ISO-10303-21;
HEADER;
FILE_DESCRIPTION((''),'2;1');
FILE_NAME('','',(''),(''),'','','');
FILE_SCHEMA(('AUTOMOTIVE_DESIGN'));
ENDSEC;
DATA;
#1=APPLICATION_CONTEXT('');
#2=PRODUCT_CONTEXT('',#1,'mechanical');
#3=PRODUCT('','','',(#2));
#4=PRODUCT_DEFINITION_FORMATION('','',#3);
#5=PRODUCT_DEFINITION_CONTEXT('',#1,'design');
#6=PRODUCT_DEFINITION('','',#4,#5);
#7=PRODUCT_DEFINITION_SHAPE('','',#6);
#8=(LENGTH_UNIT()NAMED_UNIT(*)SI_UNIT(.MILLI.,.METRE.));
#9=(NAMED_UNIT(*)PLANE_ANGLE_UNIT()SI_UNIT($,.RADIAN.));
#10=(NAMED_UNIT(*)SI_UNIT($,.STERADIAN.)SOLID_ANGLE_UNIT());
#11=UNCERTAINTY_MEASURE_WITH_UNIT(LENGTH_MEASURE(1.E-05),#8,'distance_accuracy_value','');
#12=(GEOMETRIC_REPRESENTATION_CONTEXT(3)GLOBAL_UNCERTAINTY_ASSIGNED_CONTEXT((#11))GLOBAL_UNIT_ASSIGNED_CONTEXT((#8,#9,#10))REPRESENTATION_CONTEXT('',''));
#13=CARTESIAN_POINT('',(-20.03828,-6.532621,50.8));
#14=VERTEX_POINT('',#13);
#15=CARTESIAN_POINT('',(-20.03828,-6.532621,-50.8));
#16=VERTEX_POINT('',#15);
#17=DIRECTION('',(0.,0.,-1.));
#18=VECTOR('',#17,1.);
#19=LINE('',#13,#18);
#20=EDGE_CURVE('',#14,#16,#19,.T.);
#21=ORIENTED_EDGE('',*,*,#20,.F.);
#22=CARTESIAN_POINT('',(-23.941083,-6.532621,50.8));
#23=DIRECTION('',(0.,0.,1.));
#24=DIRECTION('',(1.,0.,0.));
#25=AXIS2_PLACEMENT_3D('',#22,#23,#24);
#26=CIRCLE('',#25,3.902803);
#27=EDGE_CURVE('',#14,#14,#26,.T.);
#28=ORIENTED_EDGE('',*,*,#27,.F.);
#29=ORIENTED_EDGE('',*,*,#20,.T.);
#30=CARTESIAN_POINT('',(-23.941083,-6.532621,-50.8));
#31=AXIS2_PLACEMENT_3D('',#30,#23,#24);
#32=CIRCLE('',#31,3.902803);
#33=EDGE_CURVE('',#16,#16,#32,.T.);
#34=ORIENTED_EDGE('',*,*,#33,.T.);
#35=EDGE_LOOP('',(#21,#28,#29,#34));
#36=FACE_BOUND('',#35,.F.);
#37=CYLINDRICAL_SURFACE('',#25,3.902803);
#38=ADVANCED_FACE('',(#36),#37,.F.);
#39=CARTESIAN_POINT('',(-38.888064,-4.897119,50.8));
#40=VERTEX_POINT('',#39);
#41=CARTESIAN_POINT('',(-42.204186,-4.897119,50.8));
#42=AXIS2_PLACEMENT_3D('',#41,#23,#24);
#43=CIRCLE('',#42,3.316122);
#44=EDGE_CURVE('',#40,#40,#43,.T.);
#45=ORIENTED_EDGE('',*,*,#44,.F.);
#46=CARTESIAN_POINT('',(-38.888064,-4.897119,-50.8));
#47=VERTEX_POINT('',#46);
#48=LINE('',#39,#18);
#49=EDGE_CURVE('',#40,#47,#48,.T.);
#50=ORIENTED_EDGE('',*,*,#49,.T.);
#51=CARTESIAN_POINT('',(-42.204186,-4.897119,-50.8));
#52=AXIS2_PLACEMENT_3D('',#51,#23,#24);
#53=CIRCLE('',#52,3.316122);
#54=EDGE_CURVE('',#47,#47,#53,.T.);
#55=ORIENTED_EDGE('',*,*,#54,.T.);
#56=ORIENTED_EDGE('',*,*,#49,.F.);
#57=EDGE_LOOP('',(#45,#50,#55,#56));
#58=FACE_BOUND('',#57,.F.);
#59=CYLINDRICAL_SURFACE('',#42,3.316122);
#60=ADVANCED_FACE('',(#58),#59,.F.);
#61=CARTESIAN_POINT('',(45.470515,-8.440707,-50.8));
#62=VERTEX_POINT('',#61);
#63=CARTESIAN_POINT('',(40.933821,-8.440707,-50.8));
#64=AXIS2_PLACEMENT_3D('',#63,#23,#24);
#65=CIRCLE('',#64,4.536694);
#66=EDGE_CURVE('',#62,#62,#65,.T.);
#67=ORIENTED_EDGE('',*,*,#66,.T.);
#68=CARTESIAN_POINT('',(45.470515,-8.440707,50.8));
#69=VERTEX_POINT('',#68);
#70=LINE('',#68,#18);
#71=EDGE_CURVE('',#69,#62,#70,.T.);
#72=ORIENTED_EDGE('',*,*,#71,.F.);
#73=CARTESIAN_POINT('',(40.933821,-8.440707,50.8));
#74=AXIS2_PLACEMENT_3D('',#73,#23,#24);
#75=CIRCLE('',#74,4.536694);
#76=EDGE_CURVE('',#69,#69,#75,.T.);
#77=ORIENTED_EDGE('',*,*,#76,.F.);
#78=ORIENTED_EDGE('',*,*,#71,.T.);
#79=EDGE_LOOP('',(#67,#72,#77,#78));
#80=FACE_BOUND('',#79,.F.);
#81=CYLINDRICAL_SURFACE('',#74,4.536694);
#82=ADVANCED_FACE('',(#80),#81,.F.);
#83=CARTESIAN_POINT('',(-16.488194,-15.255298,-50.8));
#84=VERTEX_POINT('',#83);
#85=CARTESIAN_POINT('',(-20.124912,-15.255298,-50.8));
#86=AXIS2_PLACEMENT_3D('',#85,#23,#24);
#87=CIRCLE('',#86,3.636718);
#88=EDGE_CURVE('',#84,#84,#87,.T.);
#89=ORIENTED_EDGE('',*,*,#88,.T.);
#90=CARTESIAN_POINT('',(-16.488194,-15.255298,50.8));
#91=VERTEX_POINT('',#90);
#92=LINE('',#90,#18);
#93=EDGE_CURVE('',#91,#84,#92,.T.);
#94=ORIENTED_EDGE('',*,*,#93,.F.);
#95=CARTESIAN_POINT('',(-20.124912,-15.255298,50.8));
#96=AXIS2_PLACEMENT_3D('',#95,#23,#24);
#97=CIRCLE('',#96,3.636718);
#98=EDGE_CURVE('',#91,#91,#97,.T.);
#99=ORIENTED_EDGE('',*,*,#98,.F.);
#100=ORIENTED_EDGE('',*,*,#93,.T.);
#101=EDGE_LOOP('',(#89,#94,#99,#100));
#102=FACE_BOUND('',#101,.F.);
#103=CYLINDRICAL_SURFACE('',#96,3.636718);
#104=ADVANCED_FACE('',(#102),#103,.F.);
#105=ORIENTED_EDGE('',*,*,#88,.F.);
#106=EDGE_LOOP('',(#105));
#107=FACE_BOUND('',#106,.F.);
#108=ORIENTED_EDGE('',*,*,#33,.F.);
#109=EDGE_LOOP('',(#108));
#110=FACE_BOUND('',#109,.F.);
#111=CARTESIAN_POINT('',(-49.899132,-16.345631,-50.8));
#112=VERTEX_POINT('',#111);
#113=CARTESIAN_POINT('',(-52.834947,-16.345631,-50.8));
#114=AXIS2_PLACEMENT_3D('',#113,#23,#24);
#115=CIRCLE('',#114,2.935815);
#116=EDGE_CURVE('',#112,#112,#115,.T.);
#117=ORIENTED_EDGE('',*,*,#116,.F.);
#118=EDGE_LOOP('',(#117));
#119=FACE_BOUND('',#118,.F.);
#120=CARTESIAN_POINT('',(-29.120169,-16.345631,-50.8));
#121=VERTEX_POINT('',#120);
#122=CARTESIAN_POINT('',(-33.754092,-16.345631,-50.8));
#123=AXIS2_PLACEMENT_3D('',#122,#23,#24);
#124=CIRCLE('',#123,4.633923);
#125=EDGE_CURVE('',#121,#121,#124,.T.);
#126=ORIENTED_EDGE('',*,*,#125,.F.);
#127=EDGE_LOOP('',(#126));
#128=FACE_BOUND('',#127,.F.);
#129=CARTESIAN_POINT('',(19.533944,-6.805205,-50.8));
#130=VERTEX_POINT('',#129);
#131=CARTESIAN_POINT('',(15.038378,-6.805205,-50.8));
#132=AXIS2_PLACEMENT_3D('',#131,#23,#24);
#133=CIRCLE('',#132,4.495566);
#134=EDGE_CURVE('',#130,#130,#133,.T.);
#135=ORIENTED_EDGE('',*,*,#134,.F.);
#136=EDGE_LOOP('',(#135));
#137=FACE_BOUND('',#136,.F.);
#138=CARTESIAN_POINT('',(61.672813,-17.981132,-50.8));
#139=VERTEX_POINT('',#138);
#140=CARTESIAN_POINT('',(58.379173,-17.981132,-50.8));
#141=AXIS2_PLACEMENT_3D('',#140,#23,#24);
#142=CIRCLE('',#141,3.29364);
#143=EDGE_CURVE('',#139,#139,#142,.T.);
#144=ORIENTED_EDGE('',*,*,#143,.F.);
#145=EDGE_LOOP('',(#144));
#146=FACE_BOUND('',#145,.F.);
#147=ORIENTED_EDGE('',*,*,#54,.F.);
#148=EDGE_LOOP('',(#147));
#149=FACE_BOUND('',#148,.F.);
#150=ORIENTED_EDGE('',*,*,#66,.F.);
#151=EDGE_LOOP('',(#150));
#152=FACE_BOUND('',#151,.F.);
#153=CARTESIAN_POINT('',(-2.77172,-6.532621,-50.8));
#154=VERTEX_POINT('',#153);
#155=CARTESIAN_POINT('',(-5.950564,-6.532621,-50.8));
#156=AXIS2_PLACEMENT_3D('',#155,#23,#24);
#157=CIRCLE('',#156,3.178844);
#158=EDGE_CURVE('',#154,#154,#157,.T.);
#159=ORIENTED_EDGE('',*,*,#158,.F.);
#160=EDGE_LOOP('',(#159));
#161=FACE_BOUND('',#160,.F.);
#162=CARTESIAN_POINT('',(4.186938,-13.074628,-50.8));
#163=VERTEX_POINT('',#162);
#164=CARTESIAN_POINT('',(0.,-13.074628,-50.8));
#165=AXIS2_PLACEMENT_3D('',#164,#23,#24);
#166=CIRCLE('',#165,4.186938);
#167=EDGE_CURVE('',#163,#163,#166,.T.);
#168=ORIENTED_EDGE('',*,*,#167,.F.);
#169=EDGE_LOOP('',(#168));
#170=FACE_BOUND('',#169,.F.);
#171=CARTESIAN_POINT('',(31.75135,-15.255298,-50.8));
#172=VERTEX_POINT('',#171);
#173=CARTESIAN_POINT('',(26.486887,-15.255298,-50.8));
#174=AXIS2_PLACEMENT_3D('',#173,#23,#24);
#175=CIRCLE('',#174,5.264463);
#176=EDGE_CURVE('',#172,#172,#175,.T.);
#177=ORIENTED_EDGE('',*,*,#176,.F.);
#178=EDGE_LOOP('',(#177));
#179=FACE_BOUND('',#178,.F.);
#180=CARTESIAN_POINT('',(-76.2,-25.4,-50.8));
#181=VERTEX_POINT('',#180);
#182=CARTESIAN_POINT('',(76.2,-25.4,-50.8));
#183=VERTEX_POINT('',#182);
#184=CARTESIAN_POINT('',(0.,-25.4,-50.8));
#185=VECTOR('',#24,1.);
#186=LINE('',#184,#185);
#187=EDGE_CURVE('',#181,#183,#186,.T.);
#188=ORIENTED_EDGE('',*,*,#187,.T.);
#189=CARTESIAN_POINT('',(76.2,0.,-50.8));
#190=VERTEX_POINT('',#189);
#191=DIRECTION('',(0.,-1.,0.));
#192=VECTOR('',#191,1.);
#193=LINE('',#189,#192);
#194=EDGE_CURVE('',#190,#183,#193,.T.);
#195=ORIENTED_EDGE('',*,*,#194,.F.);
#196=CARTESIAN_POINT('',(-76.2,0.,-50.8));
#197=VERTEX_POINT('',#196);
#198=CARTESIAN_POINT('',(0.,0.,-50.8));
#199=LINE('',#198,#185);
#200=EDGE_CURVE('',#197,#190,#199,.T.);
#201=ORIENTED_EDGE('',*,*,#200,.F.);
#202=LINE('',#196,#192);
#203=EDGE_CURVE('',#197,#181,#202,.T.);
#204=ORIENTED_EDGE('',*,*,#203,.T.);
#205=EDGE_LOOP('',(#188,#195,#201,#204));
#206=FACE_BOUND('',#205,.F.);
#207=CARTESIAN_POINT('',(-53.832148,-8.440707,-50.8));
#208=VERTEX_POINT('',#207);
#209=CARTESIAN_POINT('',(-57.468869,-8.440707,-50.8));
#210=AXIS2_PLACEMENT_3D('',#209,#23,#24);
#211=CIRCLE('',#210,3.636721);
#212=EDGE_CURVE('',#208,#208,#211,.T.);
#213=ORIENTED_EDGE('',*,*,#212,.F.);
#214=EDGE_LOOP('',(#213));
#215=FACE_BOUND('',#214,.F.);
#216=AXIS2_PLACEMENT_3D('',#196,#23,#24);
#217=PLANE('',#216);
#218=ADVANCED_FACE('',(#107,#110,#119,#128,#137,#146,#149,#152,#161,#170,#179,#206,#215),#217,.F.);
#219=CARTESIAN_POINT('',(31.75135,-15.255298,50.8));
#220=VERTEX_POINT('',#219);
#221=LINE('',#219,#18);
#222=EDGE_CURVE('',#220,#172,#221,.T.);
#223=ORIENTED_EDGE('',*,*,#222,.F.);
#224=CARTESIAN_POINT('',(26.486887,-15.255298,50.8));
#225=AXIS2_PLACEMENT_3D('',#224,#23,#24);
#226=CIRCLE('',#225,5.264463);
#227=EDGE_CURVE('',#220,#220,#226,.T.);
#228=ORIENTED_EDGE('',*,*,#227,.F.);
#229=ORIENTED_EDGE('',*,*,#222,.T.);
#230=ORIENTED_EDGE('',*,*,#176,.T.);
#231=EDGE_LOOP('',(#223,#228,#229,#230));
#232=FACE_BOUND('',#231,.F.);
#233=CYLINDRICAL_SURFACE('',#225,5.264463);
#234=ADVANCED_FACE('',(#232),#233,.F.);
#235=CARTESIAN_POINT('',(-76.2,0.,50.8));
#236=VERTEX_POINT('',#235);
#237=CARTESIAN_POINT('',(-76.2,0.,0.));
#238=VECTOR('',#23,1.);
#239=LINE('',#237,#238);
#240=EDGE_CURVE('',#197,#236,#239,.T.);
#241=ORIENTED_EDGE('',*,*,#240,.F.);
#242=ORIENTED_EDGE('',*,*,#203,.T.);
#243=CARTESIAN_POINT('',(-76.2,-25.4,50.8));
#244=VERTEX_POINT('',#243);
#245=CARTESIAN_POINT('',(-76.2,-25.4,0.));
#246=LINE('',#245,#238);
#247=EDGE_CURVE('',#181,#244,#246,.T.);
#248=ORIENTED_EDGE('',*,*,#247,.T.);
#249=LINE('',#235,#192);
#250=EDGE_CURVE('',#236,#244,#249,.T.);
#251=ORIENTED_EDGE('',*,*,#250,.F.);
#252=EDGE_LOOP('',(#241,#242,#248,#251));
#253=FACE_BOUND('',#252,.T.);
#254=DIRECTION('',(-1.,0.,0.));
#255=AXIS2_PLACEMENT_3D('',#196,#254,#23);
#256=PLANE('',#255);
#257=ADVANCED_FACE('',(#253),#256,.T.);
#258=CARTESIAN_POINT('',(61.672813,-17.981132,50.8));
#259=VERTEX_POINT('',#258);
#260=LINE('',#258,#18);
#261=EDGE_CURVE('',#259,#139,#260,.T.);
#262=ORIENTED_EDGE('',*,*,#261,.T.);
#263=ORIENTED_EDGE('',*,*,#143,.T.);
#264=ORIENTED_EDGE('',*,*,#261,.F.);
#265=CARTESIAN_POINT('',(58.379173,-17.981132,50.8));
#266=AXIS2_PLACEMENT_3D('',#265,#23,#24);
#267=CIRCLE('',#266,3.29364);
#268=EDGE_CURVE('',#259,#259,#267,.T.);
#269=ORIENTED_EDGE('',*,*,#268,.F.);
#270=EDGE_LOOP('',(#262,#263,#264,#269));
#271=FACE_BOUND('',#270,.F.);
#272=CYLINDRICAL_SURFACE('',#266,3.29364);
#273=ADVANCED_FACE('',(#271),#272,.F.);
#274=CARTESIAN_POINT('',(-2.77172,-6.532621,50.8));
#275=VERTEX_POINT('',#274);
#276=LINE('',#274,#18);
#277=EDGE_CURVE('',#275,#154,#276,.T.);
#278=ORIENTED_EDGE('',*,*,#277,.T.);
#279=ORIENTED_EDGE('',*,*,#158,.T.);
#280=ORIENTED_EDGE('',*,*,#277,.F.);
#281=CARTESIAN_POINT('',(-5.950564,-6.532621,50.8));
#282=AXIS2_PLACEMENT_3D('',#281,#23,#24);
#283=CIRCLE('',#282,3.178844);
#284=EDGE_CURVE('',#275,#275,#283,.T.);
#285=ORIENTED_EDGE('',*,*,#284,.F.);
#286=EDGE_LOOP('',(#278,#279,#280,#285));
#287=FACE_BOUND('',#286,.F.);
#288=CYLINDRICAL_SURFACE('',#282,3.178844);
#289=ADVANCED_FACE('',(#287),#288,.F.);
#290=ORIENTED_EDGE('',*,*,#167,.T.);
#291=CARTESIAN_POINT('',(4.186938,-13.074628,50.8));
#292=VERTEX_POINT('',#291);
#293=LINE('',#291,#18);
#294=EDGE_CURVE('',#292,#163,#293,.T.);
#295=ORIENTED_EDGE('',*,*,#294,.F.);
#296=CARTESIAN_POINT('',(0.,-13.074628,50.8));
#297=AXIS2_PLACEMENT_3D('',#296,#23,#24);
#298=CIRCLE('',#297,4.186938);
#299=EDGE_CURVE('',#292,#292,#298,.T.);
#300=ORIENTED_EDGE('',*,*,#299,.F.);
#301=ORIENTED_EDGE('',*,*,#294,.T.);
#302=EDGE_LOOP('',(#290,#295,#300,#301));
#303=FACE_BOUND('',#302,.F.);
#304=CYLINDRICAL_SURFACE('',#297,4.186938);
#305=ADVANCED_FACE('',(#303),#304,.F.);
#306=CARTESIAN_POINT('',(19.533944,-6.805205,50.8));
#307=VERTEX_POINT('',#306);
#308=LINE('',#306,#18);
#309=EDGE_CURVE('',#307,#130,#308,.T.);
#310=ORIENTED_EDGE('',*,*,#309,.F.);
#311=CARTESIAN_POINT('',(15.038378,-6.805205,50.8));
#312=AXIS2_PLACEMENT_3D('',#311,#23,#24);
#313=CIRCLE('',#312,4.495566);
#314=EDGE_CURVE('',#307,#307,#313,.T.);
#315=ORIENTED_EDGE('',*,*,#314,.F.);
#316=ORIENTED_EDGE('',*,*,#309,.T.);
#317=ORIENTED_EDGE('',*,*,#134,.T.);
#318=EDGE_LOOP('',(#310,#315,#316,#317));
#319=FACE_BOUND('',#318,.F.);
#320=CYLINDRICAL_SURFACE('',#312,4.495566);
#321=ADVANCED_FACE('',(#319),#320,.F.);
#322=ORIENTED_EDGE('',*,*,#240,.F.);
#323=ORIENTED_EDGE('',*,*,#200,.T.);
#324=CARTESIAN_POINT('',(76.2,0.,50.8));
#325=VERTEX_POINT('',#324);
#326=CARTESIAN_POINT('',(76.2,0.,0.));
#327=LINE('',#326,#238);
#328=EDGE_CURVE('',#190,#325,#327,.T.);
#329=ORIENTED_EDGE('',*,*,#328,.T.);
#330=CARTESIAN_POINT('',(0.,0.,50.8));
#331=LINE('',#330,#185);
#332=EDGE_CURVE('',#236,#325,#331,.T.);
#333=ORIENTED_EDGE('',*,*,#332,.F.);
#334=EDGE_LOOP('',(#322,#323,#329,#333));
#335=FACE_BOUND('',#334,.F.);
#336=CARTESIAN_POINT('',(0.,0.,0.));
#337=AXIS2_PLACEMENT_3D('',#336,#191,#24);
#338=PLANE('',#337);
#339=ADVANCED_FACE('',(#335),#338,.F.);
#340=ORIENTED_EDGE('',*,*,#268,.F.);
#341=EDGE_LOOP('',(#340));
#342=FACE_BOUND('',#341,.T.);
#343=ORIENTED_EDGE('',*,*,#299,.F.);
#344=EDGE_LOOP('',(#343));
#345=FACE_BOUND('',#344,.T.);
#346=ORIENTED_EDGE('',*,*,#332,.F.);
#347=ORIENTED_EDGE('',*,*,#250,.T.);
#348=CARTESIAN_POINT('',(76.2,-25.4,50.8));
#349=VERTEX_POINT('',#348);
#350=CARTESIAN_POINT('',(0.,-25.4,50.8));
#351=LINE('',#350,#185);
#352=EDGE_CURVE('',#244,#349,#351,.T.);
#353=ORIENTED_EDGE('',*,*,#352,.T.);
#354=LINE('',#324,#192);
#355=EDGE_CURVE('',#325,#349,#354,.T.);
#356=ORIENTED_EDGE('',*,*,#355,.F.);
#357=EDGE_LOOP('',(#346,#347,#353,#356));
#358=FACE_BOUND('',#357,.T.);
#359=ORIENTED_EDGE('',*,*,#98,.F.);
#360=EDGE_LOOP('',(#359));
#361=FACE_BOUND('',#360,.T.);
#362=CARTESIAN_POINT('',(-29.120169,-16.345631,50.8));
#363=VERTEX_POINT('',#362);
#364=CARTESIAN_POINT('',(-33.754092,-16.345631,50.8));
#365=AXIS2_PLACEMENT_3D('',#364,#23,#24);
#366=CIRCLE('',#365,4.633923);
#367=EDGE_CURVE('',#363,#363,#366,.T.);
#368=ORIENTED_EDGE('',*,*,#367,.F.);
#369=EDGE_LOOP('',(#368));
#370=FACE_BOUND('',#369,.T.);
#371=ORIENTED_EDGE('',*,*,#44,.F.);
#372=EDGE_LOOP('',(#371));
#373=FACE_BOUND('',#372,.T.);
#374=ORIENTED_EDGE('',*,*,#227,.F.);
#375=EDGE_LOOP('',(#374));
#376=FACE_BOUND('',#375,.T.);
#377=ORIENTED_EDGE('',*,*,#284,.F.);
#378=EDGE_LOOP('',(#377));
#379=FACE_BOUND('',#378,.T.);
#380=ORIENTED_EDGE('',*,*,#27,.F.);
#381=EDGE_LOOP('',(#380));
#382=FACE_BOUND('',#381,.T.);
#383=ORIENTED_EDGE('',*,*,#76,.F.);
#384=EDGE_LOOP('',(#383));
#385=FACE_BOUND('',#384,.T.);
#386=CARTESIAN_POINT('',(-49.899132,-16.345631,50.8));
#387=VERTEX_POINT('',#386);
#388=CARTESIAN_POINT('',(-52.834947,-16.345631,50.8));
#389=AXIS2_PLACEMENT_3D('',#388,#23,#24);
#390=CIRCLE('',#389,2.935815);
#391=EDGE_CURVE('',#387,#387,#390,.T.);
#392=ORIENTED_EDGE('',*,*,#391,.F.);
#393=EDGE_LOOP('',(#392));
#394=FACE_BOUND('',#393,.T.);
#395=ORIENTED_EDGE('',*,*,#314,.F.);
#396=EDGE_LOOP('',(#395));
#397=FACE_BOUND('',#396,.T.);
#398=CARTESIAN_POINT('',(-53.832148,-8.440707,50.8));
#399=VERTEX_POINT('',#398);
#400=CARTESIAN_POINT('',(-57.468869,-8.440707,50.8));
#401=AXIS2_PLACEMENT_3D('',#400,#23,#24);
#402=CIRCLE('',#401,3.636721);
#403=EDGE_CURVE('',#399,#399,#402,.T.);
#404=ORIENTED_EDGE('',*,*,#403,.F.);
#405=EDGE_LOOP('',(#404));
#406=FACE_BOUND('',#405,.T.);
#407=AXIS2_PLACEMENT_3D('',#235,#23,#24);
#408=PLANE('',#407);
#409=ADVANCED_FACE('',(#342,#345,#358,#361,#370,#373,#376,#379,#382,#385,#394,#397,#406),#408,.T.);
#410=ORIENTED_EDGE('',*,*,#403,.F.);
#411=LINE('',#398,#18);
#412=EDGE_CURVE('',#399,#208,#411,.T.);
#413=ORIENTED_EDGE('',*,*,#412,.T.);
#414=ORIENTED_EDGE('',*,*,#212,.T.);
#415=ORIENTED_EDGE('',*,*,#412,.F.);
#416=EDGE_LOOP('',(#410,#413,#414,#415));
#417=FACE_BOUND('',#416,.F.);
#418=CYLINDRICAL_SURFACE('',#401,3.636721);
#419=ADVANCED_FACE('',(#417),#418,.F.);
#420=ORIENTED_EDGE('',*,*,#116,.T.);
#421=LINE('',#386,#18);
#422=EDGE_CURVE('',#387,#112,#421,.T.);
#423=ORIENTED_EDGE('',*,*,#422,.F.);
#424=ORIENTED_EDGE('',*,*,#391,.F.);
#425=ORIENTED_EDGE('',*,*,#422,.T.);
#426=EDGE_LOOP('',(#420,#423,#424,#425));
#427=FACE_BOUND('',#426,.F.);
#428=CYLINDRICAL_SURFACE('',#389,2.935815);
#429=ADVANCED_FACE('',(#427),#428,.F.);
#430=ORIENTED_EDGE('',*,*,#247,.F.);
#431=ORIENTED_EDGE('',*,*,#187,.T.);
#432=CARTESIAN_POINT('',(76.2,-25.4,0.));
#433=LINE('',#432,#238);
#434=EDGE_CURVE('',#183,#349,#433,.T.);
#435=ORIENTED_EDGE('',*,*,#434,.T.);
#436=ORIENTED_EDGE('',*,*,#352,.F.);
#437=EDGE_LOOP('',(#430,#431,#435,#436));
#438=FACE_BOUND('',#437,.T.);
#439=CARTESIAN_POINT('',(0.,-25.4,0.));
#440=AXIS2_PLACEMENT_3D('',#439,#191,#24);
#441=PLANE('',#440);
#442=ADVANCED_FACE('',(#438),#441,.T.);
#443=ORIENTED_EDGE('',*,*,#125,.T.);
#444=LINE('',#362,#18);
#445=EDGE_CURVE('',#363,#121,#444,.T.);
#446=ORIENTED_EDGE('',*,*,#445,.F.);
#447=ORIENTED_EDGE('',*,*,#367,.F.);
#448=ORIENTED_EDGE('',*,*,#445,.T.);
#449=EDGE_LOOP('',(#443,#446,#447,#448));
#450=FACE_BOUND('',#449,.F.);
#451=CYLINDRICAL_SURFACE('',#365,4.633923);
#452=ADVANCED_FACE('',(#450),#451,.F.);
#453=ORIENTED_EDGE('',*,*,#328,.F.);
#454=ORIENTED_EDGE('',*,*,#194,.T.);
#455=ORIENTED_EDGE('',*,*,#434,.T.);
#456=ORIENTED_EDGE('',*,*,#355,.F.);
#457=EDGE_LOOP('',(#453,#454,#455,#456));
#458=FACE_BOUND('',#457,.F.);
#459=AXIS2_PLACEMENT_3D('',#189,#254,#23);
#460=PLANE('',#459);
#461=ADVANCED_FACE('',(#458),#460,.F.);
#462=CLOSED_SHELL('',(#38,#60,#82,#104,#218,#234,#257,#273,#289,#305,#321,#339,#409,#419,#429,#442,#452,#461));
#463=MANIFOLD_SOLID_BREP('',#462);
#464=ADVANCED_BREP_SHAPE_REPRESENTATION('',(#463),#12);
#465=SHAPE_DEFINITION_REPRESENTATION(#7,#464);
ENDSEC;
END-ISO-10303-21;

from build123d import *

# Parameters (mm, degrees)
F0_W     = 152.4
F0_H     = 101.6
F1_DEPTH = 25.4
F2_R     = 4.186938
F2_R_2   = 3.636721
F2_R_3   = 4.633923
F2_R_4   = 4.536694
F2_R_5   = 5.264463
F2_R_6   = 3.29364
F2_R_7   = 4.495566
F2_R_8   = 3.902803
F2_R_9   = 3.636718
F2_R_10  = 2.935815
F2_R_11  = 3.316122
F2_R_12  = 3.178844
F3_DEPTH = 152.4


with BuildPart() as f1:
    # F0 (on Front) → F1 (new body)
    with BuildSketch(Plane.XZ):
        Rectangle(F0_W, F0_H)
    extrude(amount=F1_DEPTH)

    # F2 (on face) → F3 (cut)
    with BuildSketch(Plane.XY.offset(50.8)):
        with Locations((0, -13.074628)):
            Circle(F2_R)
        with Locations((-57.468869, -8.440707)):
            Circle(F2_R_2)
        with Locations((-33.754092, -16.345631)):
            Circle(F2_R_3)
        with Locations((40.933821, -8.440707)):
            Circle(F2_R_4)
        with Locations((26.486887, -15.255298)):
            Circle(F2_R_5)
        with Locations((58.379173, -17.981132)):
            Circle(F2_R_6)
        with Locations((15.038378, -6.805205)):
            Circle(F2_R_7)
        with Locations((-23.941083, -6.532621)):
            Circle(F2_R_8)
        with Locations((-20.124912, -15.255298)):
            Circle(F2_R_9)
        with Locations((-52.834947, -16.345631)):
            Circle(F2_R_10)
        with Locations((-42.204186, -4.897119)):
            Circle(F2_R_11)
        with Locations((-5.950564, -6.532621)):
            Circle(F2_R_12)
    extrude(amount=-F3_DEPTH, mode=Mode.SUBTRACT)


solid = f1.part
